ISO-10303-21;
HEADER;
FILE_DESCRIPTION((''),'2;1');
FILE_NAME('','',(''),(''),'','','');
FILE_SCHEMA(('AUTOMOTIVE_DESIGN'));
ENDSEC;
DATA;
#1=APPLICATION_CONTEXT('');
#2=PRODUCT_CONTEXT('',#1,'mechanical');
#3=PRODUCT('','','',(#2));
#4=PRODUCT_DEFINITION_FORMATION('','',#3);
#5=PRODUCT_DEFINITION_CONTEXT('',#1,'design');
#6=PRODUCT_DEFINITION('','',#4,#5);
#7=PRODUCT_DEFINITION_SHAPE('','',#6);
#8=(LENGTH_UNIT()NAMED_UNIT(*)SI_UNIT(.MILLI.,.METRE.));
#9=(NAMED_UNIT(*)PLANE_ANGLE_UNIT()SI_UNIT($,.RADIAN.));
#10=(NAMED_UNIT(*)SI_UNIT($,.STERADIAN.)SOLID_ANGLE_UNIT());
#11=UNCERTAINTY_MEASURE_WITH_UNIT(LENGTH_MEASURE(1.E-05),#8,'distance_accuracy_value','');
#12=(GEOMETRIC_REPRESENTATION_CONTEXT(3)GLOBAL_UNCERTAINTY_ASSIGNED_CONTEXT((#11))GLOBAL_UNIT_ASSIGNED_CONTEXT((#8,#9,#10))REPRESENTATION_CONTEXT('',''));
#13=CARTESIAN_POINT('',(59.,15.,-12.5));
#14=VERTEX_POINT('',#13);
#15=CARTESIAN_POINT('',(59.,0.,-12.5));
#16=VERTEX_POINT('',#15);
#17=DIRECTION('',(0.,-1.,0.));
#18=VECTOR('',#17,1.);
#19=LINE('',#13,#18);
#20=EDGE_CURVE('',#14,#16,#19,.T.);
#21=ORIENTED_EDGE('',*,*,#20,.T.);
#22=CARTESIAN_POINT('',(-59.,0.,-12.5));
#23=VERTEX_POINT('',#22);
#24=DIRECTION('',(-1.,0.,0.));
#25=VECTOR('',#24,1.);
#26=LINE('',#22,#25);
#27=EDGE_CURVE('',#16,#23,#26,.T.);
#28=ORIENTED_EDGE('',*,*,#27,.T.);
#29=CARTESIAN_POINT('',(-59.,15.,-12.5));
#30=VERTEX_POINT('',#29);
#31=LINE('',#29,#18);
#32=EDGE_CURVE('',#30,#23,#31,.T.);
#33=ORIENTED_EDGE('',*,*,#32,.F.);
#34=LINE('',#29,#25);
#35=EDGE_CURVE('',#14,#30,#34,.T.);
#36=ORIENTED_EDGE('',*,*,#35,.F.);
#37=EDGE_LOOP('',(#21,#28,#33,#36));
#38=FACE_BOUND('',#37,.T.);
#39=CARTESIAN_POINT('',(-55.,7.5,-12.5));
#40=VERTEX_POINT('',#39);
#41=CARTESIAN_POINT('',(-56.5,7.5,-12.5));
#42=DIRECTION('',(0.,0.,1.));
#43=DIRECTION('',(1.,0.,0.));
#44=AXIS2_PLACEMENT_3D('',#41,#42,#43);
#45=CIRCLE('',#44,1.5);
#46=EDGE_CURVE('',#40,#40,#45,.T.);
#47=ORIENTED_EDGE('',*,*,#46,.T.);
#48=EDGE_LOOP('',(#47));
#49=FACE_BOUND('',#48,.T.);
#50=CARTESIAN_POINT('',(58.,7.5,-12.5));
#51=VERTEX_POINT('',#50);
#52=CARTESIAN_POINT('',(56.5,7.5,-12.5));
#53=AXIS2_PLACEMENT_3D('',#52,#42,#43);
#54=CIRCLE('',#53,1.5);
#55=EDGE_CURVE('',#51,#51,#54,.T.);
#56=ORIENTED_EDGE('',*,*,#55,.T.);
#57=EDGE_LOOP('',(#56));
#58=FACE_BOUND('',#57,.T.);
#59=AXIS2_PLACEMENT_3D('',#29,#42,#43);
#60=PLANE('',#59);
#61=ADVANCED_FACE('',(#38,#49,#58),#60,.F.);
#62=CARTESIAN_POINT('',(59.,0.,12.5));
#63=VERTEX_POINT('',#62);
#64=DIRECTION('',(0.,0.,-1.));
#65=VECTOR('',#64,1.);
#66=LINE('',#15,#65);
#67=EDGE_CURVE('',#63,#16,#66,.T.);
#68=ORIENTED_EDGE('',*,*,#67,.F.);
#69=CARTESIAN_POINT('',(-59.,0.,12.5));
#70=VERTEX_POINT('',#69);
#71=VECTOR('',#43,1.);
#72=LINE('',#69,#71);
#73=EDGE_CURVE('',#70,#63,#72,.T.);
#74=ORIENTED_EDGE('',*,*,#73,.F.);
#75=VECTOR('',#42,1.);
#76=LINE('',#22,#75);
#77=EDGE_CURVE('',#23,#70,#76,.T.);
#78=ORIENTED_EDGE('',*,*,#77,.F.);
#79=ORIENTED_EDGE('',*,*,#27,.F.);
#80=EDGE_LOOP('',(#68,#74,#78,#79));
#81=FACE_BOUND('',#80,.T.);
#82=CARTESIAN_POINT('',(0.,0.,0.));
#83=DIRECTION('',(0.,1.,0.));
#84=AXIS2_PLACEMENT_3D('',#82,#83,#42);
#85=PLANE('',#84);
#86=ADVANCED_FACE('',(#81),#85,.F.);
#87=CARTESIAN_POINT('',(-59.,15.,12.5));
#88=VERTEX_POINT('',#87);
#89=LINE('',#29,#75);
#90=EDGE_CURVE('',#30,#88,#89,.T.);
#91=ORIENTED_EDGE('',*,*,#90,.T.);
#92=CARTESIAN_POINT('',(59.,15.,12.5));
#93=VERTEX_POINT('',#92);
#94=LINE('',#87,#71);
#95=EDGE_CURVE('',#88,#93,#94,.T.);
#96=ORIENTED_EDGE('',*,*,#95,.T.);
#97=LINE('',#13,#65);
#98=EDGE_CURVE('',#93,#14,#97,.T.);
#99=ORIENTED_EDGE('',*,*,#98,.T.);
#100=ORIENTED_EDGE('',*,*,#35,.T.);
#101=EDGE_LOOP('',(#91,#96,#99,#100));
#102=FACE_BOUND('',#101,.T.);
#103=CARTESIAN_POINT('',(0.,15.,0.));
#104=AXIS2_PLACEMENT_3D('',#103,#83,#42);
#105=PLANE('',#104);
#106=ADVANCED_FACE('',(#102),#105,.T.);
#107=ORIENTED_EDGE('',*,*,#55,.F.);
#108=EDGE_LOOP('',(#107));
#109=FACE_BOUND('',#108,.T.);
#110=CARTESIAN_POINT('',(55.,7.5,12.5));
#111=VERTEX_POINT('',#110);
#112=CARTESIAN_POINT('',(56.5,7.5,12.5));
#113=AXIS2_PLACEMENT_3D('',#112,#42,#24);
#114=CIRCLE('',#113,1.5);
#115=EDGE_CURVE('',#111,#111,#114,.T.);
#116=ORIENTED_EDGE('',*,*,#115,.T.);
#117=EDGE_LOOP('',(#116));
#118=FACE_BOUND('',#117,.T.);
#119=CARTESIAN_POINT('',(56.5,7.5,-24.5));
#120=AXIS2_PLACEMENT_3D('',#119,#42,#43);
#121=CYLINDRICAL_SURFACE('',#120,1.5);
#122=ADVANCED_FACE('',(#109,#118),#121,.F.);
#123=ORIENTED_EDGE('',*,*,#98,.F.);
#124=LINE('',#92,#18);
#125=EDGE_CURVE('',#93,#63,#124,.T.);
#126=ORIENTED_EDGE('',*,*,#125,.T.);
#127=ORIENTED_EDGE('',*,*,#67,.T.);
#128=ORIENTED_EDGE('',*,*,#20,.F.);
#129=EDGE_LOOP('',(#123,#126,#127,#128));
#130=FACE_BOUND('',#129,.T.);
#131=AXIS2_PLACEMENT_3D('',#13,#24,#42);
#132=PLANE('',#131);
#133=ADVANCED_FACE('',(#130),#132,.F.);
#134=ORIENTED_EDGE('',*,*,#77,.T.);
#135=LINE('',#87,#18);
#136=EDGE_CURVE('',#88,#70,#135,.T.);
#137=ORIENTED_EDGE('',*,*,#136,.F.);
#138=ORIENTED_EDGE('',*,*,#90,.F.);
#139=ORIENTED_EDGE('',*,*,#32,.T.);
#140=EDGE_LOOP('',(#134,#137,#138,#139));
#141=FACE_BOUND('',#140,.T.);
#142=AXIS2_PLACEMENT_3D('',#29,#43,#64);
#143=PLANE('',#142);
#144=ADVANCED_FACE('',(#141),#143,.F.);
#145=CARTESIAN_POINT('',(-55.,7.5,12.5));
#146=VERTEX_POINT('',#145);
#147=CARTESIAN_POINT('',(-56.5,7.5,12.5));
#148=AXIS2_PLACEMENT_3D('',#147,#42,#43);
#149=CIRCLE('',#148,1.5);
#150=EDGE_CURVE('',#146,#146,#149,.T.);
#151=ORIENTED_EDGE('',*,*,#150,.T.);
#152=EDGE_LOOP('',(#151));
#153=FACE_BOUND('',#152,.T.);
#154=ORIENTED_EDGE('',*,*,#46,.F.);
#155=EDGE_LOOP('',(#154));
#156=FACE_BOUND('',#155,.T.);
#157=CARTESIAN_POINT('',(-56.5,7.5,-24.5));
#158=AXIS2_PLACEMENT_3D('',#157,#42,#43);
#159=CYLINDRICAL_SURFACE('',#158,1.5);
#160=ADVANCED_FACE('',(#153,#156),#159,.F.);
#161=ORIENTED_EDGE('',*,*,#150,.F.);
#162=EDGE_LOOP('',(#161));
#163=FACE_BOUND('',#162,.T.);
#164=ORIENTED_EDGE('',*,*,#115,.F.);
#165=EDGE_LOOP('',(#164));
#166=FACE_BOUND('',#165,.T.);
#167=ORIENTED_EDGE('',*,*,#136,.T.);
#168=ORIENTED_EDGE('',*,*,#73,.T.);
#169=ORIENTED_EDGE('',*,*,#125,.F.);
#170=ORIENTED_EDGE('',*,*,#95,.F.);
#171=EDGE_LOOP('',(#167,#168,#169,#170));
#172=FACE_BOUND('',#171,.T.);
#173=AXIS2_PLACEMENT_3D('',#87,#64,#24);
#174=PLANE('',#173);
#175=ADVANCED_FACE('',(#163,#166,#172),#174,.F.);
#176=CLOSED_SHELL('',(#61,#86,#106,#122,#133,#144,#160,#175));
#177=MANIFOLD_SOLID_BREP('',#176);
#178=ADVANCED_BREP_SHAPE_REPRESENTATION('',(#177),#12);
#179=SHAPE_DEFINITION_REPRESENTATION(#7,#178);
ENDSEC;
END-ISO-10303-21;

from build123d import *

# Parameters (mm, degrees)
SKETCH1_W           = 118
SKETCH1_H           = 25
BOSS_EXTRUDE1_DEPTH = 15
SKETCH3_R           = 1.5
CUT_EXTRUDE1_DEPTH  = 37


with BuildPart() as part:
    # Sketch1 → Boss-Extrude1 (new body)
    with BuildSketch(Plane(origin=(0, 0, 0), x_dir=(1, 0, 0), z_dir=(0, 1, 0))):
        Rectangle(SKETCH1_W, SKETCH1_H)
    extrude(amount=BOSS_EXTRUDE1_DEPTH)

    # Sketch3 → Cut-Extrude1 (cut)
    with BuildSketch(Plane.XY.offset(12.5)):
        with Locations((-56.5, 7.5)):
            Circle(SKETCH3_R)
        with Locations((56.5, 7.5)):
            Circle(SKETCH3_R)
    extrude(amount=-CUT_EXTRUDE1_DEPTH, mode=Mode.SUBTRACT)


solid = part.part
